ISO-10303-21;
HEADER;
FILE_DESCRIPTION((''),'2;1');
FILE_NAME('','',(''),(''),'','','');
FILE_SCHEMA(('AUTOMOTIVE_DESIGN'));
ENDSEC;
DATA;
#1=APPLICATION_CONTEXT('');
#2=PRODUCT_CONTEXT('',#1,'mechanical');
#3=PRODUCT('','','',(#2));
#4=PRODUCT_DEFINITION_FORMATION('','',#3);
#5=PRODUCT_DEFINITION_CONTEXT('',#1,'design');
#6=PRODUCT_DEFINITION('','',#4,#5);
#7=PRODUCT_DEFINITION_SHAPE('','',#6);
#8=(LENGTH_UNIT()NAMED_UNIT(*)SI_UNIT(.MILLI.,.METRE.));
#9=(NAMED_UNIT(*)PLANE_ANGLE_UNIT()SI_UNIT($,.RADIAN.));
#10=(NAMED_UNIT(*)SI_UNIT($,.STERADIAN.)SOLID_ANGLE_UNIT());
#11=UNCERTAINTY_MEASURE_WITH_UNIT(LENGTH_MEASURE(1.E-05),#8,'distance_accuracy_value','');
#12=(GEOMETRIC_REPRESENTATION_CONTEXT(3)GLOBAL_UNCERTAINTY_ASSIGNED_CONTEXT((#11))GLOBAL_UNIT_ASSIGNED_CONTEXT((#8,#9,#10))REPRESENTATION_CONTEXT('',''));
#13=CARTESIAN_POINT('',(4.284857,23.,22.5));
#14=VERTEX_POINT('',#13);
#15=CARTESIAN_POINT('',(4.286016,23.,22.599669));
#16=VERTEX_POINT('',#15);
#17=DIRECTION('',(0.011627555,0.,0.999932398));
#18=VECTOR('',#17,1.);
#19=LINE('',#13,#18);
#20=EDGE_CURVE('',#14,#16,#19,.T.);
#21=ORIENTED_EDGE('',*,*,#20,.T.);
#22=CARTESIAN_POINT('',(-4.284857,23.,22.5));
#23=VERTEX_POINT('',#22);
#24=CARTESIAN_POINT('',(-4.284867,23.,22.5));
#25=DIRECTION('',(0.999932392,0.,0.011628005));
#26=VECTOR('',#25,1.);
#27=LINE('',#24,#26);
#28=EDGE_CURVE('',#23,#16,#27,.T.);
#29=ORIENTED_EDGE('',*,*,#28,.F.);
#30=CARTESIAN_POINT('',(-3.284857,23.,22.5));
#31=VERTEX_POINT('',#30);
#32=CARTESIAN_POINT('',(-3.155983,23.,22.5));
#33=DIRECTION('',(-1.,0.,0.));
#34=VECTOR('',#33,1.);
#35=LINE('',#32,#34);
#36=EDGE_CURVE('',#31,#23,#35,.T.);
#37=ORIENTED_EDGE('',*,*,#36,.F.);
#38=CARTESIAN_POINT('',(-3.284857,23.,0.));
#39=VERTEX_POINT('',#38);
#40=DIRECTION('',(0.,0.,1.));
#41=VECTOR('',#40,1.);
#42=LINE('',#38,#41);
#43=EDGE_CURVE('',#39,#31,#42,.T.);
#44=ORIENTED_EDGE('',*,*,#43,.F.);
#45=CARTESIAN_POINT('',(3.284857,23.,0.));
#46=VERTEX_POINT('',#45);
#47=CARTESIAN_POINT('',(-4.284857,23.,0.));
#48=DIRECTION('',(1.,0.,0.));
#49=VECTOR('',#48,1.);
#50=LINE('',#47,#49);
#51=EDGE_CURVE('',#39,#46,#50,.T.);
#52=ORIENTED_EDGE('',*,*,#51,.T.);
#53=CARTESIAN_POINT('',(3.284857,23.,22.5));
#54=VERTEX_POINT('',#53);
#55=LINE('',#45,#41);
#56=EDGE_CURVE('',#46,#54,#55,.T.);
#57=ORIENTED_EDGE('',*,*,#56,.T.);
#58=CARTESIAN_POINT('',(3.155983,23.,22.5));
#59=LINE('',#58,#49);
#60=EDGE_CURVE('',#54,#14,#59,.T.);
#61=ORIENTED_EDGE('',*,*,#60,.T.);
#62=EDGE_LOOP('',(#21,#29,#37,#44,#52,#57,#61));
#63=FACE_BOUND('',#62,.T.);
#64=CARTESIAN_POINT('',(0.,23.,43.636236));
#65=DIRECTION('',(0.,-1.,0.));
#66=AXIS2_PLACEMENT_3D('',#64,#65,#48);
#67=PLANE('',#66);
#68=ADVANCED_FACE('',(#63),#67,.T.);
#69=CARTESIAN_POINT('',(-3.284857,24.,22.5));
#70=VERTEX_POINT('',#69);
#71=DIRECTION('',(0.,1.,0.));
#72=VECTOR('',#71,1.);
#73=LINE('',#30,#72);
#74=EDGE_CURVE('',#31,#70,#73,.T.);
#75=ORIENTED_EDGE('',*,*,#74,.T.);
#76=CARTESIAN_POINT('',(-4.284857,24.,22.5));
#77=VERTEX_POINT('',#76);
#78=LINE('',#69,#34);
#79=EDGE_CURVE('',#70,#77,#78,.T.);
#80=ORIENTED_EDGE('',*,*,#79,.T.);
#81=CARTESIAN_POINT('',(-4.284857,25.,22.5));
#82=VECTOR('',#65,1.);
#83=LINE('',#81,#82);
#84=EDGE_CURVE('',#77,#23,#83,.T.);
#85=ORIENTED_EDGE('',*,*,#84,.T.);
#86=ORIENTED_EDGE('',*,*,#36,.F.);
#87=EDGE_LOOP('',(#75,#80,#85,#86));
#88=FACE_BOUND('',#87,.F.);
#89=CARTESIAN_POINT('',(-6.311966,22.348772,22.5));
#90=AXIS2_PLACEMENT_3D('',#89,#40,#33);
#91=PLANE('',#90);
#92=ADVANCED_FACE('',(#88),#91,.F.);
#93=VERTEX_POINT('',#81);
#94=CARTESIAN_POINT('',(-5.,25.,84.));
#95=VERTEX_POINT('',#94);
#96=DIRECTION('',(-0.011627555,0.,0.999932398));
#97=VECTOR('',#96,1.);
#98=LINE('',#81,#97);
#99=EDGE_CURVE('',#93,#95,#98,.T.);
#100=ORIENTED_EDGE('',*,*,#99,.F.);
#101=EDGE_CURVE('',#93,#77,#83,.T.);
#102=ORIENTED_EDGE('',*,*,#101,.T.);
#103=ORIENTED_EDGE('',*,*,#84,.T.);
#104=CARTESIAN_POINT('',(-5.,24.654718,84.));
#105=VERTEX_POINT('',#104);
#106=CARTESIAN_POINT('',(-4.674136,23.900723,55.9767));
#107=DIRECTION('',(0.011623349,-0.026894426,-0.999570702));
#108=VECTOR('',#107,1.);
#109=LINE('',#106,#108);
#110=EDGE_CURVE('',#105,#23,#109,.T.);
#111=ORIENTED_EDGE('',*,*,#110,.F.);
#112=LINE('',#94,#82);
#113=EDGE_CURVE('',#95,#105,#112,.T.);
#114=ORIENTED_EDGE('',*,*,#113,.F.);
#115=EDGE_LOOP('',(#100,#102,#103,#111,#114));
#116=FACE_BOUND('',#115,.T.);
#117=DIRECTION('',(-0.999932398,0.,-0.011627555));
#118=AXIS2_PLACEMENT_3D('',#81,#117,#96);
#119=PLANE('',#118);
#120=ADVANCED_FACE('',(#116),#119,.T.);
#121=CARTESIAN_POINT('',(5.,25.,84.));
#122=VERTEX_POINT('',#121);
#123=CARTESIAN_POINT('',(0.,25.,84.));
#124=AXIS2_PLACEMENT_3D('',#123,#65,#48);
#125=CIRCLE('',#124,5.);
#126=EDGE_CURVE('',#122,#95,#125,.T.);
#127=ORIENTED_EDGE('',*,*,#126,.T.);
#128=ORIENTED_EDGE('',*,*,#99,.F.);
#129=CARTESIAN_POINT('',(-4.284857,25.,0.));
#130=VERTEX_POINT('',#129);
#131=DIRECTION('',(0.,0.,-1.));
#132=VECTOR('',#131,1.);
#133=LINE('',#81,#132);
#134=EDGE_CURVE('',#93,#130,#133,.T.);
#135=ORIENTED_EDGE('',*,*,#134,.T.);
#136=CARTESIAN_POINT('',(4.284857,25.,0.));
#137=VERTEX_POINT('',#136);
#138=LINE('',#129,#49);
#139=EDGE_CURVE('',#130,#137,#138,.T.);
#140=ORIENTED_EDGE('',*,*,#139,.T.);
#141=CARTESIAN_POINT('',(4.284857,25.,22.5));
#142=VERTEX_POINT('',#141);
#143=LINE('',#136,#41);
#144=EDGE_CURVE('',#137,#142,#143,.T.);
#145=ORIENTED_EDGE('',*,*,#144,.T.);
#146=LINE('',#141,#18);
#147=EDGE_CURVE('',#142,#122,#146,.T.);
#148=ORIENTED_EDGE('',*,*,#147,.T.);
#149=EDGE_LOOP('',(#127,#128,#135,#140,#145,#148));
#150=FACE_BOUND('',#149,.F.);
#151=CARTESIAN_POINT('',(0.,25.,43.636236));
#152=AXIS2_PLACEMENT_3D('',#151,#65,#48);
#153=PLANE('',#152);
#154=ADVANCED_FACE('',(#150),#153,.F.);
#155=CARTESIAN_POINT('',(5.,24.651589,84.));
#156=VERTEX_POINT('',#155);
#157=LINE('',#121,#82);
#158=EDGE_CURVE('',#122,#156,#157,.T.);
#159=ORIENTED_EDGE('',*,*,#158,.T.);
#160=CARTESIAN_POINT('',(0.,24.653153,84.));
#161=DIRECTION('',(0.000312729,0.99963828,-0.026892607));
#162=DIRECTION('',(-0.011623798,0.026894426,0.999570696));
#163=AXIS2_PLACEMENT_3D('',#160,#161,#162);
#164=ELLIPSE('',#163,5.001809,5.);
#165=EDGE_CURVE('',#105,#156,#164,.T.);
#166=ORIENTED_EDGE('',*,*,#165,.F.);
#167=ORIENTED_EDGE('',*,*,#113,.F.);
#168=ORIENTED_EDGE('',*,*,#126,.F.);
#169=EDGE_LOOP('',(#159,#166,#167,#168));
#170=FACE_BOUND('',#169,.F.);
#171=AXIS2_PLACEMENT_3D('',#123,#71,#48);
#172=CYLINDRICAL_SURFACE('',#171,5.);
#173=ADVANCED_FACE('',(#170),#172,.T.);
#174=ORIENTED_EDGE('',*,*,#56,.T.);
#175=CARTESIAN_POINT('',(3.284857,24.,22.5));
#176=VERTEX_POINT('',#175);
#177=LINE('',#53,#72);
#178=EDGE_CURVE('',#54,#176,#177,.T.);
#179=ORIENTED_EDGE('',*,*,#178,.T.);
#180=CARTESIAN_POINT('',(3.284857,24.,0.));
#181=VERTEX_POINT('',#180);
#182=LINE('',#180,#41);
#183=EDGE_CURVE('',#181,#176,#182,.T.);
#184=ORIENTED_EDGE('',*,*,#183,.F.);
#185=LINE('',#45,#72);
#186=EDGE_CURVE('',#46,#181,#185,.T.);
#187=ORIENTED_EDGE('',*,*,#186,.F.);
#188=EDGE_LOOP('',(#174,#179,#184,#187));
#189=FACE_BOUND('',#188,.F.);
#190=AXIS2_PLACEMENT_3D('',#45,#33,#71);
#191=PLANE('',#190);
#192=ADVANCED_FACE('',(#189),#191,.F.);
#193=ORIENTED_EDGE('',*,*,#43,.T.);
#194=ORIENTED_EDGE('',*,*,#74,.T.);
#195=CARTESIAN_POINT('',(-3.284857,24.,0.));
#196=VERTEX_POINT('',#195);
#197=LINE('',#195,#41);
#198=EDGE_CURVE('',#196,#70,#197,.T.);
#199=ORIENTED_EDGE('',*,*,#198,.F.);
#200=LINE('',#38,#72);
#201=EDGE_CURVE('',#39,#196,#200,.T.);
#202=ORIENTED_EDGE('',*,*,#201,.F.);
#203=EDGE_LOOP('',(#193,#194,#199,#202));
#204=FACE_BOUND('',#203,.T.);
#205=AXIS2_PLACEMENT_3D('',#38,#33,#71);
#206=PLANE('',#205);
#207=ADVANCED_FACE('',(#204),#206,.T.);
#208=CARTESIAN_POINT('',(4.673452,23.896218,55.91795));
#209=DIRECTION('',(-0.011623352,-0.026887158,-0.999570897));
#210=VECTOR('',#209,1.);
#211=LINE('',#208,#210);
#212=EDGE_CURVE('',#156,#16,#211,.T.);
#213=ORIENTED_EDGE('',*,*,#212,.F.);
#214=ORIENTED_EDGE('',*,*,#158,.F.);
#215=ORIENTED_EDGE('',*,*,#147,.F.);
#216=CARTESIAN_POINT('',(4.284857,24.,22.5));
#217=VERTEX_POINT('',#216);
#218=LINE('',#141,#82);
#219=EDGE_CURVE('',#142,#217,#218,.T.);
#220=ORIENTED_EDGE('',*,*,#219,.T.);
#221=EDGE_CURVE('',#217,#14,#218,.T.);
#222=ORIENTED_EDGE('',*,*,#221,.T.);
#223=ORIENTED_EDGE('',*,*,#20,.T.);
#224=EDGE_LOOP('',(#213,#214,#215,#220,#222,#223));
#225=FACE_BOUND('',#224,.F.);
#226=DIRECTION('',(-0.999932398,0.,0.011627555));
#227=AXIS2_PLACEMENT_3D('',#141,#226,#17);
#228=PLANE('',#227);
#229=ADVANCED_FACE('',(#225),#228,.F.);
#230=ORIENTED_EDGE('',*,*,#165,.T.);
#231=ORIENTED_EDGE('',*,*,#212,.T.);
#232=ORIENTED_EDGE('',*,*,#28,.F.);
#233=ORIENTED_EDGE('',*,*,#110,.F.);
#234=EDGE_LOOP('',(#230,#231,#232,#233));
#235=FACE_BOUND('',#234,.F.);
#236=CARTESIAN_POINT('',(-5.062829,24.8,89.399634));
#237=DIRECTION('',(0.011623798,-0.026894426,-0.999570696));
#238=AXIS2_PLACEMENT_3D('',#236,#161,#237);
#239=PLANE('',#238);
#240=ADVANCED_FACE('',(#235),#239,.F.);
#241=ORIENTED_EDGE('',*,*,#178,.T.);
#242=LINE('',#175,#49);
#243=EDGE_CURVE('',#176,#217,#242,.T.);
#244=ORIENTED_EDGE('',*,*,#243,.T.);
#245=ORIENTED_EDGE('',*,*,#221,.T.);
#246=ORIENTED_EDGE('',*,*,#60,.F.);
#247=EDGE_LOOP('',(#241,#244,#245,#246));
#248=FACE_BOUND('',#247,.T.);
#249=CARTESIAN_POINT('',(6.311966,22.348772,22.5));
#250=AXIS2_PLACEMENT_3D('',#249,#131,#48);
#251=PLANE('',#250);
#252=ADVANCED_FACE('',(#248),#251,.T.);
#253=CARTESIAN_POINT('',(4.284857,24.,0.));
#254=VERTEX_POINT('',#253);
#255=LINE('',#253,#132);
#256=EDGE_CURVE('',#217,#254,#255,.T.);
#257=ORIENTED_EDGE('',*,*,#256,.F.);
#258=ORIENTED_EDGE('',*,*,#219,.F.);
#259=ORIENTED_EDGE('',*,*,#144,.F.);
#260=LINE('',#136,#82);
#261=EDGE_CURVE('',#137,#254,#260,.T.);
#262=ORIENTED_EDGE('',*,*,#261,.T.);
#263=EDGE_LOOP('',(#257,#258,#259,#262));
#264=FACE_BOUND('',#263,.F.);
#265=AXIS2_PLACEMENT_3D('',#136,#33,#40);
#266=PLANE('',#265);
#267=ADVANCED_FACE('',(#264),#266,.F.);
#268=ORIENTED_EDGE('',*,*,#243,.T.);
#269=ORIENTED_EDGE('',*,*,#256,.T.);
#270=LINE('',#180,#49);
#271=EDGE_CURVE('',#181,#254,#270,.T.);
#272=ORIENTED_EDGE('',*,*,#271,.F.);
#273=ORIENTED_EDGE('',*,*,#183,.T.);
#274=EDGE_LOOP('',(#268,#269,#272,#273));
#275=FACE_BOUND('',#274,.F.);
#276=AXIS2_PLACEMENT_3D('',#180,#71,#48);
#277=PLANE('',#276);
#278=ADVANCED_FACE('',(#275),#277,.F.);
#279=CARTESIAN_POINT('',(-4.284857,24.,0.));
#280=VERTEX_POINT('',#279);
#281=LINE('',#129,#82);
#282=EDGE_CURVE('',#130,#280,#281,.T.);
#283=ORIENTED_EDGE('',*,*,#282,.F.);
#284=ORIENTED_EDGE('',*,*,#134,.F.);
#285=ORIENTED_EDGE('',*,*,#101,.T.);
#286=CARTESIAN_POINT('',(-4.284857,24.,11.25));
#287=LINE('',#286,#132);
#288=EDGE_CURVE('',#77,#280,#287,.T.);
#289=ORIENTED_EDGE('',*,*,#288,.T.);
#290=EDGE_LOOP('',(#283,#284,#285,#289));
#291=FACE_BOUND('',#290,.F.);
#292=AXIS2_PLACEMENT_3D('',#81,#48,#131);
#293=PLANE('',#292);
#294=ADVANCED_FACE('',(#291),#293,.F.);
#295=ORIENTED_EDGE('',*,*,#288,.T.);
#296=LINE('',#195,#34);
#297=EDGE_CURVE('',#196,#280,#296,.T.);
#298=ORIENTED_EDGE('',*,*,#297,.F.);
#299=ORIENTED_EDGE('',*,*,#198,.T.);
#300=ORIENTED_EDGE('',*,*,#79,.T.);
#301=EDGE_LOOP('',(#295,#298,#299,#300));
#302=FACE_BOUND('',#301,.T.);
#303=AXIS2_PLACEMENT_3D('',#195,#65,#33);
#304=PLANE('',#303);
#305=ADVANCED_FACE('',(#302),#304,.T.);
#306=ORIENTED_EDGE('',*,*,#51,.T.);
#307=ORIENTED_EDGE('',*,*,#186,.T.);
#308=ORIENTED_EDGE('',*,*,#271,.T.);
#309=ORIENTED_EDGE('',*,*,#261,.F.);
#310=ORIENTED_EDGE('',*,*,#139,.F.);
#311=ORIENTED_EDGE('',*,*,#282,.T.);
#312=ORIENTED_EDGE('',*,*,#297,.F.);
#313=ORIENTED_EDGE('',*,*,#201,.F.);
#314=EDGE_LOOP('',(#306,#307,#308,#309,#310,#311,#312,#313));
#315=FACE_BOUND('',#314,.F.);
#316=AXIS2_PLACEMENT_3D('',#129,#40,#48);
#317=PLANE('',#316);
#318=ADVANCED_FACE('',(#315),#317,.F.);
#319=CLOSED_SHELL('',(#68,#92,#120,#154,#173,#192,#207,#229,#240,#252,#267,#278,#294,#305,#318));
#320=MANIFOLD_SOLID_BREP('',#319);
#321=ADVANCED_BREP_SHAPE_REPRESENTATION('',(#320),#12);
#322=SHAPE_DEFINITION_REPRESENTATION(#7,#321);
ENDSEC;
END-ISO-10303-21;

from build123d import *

# Parameters (mm, degrees)
PAD003_DEPTH    = 2
POCKET004_DEPTH = 22.5
POCKET005_DEPTH = 10.058462


with BuildPart() as part:
    # Sketch010 → Pad003 (new body)
    with BuildSketch(Plane.XZ):
        with BuildLine():
            Line((-4.284857, 0), (4.284857, 0))
            Line((4.284857, 0), (4.284857, 22.5))
            Line((4.284857, 22.5), (5, 84))
            ThreePointArc((5, 84), (0, 89), (-5, 84))
            Line((-4.284857, 22.5), (-5, 84))
            Line((-4.284857, 22.5), (-4.284857, 0))
        make_face()
    extrude(amount=PAD003_DEPTH)

    # Sketch011 (on Face1 of Pad003) → Pocket004 (cut)
    with BuildSketch(Plane(origin=(0, 0, 0), x_dir=(1, 0, 0), z_dir=(0, 0, -1))):
        Polygon((-3.284857, 2), (-3.284857, 1), (-8.284857, 1), (-8.284857, 5.501038), align=None)
        Polygon((8.284857, 5.501038), (3.284857, 2), (3.284857, 1), (8.284857, 1), align=None)
    extrude(amount=-POCKET004_DEPTH, mode=Mode.SUBTRACT)

    # Sketch012 (on Face12 of Pocket004) → Pocket005 (cut, through all)
    with BuildSketch(Plane(origin=(-4.022675, 0, -0.046777), x_dir=(0.011628, 0, -0.999932), z_dir=(-0.999932, 0, -0.011628))):
        Polygon((-89.452459, 0.2), (-22.548301, 2), (-89.452459, 14.03), align=None)
    extrude(amount=-POCKET005_DEPTH, mode=Mode.SUBTRACT)


with BuildPart() as part_1:
    # Body001 placement: moved
    add(part.part.moved(Location((0, 25, 0))))


solid = part_1.part
